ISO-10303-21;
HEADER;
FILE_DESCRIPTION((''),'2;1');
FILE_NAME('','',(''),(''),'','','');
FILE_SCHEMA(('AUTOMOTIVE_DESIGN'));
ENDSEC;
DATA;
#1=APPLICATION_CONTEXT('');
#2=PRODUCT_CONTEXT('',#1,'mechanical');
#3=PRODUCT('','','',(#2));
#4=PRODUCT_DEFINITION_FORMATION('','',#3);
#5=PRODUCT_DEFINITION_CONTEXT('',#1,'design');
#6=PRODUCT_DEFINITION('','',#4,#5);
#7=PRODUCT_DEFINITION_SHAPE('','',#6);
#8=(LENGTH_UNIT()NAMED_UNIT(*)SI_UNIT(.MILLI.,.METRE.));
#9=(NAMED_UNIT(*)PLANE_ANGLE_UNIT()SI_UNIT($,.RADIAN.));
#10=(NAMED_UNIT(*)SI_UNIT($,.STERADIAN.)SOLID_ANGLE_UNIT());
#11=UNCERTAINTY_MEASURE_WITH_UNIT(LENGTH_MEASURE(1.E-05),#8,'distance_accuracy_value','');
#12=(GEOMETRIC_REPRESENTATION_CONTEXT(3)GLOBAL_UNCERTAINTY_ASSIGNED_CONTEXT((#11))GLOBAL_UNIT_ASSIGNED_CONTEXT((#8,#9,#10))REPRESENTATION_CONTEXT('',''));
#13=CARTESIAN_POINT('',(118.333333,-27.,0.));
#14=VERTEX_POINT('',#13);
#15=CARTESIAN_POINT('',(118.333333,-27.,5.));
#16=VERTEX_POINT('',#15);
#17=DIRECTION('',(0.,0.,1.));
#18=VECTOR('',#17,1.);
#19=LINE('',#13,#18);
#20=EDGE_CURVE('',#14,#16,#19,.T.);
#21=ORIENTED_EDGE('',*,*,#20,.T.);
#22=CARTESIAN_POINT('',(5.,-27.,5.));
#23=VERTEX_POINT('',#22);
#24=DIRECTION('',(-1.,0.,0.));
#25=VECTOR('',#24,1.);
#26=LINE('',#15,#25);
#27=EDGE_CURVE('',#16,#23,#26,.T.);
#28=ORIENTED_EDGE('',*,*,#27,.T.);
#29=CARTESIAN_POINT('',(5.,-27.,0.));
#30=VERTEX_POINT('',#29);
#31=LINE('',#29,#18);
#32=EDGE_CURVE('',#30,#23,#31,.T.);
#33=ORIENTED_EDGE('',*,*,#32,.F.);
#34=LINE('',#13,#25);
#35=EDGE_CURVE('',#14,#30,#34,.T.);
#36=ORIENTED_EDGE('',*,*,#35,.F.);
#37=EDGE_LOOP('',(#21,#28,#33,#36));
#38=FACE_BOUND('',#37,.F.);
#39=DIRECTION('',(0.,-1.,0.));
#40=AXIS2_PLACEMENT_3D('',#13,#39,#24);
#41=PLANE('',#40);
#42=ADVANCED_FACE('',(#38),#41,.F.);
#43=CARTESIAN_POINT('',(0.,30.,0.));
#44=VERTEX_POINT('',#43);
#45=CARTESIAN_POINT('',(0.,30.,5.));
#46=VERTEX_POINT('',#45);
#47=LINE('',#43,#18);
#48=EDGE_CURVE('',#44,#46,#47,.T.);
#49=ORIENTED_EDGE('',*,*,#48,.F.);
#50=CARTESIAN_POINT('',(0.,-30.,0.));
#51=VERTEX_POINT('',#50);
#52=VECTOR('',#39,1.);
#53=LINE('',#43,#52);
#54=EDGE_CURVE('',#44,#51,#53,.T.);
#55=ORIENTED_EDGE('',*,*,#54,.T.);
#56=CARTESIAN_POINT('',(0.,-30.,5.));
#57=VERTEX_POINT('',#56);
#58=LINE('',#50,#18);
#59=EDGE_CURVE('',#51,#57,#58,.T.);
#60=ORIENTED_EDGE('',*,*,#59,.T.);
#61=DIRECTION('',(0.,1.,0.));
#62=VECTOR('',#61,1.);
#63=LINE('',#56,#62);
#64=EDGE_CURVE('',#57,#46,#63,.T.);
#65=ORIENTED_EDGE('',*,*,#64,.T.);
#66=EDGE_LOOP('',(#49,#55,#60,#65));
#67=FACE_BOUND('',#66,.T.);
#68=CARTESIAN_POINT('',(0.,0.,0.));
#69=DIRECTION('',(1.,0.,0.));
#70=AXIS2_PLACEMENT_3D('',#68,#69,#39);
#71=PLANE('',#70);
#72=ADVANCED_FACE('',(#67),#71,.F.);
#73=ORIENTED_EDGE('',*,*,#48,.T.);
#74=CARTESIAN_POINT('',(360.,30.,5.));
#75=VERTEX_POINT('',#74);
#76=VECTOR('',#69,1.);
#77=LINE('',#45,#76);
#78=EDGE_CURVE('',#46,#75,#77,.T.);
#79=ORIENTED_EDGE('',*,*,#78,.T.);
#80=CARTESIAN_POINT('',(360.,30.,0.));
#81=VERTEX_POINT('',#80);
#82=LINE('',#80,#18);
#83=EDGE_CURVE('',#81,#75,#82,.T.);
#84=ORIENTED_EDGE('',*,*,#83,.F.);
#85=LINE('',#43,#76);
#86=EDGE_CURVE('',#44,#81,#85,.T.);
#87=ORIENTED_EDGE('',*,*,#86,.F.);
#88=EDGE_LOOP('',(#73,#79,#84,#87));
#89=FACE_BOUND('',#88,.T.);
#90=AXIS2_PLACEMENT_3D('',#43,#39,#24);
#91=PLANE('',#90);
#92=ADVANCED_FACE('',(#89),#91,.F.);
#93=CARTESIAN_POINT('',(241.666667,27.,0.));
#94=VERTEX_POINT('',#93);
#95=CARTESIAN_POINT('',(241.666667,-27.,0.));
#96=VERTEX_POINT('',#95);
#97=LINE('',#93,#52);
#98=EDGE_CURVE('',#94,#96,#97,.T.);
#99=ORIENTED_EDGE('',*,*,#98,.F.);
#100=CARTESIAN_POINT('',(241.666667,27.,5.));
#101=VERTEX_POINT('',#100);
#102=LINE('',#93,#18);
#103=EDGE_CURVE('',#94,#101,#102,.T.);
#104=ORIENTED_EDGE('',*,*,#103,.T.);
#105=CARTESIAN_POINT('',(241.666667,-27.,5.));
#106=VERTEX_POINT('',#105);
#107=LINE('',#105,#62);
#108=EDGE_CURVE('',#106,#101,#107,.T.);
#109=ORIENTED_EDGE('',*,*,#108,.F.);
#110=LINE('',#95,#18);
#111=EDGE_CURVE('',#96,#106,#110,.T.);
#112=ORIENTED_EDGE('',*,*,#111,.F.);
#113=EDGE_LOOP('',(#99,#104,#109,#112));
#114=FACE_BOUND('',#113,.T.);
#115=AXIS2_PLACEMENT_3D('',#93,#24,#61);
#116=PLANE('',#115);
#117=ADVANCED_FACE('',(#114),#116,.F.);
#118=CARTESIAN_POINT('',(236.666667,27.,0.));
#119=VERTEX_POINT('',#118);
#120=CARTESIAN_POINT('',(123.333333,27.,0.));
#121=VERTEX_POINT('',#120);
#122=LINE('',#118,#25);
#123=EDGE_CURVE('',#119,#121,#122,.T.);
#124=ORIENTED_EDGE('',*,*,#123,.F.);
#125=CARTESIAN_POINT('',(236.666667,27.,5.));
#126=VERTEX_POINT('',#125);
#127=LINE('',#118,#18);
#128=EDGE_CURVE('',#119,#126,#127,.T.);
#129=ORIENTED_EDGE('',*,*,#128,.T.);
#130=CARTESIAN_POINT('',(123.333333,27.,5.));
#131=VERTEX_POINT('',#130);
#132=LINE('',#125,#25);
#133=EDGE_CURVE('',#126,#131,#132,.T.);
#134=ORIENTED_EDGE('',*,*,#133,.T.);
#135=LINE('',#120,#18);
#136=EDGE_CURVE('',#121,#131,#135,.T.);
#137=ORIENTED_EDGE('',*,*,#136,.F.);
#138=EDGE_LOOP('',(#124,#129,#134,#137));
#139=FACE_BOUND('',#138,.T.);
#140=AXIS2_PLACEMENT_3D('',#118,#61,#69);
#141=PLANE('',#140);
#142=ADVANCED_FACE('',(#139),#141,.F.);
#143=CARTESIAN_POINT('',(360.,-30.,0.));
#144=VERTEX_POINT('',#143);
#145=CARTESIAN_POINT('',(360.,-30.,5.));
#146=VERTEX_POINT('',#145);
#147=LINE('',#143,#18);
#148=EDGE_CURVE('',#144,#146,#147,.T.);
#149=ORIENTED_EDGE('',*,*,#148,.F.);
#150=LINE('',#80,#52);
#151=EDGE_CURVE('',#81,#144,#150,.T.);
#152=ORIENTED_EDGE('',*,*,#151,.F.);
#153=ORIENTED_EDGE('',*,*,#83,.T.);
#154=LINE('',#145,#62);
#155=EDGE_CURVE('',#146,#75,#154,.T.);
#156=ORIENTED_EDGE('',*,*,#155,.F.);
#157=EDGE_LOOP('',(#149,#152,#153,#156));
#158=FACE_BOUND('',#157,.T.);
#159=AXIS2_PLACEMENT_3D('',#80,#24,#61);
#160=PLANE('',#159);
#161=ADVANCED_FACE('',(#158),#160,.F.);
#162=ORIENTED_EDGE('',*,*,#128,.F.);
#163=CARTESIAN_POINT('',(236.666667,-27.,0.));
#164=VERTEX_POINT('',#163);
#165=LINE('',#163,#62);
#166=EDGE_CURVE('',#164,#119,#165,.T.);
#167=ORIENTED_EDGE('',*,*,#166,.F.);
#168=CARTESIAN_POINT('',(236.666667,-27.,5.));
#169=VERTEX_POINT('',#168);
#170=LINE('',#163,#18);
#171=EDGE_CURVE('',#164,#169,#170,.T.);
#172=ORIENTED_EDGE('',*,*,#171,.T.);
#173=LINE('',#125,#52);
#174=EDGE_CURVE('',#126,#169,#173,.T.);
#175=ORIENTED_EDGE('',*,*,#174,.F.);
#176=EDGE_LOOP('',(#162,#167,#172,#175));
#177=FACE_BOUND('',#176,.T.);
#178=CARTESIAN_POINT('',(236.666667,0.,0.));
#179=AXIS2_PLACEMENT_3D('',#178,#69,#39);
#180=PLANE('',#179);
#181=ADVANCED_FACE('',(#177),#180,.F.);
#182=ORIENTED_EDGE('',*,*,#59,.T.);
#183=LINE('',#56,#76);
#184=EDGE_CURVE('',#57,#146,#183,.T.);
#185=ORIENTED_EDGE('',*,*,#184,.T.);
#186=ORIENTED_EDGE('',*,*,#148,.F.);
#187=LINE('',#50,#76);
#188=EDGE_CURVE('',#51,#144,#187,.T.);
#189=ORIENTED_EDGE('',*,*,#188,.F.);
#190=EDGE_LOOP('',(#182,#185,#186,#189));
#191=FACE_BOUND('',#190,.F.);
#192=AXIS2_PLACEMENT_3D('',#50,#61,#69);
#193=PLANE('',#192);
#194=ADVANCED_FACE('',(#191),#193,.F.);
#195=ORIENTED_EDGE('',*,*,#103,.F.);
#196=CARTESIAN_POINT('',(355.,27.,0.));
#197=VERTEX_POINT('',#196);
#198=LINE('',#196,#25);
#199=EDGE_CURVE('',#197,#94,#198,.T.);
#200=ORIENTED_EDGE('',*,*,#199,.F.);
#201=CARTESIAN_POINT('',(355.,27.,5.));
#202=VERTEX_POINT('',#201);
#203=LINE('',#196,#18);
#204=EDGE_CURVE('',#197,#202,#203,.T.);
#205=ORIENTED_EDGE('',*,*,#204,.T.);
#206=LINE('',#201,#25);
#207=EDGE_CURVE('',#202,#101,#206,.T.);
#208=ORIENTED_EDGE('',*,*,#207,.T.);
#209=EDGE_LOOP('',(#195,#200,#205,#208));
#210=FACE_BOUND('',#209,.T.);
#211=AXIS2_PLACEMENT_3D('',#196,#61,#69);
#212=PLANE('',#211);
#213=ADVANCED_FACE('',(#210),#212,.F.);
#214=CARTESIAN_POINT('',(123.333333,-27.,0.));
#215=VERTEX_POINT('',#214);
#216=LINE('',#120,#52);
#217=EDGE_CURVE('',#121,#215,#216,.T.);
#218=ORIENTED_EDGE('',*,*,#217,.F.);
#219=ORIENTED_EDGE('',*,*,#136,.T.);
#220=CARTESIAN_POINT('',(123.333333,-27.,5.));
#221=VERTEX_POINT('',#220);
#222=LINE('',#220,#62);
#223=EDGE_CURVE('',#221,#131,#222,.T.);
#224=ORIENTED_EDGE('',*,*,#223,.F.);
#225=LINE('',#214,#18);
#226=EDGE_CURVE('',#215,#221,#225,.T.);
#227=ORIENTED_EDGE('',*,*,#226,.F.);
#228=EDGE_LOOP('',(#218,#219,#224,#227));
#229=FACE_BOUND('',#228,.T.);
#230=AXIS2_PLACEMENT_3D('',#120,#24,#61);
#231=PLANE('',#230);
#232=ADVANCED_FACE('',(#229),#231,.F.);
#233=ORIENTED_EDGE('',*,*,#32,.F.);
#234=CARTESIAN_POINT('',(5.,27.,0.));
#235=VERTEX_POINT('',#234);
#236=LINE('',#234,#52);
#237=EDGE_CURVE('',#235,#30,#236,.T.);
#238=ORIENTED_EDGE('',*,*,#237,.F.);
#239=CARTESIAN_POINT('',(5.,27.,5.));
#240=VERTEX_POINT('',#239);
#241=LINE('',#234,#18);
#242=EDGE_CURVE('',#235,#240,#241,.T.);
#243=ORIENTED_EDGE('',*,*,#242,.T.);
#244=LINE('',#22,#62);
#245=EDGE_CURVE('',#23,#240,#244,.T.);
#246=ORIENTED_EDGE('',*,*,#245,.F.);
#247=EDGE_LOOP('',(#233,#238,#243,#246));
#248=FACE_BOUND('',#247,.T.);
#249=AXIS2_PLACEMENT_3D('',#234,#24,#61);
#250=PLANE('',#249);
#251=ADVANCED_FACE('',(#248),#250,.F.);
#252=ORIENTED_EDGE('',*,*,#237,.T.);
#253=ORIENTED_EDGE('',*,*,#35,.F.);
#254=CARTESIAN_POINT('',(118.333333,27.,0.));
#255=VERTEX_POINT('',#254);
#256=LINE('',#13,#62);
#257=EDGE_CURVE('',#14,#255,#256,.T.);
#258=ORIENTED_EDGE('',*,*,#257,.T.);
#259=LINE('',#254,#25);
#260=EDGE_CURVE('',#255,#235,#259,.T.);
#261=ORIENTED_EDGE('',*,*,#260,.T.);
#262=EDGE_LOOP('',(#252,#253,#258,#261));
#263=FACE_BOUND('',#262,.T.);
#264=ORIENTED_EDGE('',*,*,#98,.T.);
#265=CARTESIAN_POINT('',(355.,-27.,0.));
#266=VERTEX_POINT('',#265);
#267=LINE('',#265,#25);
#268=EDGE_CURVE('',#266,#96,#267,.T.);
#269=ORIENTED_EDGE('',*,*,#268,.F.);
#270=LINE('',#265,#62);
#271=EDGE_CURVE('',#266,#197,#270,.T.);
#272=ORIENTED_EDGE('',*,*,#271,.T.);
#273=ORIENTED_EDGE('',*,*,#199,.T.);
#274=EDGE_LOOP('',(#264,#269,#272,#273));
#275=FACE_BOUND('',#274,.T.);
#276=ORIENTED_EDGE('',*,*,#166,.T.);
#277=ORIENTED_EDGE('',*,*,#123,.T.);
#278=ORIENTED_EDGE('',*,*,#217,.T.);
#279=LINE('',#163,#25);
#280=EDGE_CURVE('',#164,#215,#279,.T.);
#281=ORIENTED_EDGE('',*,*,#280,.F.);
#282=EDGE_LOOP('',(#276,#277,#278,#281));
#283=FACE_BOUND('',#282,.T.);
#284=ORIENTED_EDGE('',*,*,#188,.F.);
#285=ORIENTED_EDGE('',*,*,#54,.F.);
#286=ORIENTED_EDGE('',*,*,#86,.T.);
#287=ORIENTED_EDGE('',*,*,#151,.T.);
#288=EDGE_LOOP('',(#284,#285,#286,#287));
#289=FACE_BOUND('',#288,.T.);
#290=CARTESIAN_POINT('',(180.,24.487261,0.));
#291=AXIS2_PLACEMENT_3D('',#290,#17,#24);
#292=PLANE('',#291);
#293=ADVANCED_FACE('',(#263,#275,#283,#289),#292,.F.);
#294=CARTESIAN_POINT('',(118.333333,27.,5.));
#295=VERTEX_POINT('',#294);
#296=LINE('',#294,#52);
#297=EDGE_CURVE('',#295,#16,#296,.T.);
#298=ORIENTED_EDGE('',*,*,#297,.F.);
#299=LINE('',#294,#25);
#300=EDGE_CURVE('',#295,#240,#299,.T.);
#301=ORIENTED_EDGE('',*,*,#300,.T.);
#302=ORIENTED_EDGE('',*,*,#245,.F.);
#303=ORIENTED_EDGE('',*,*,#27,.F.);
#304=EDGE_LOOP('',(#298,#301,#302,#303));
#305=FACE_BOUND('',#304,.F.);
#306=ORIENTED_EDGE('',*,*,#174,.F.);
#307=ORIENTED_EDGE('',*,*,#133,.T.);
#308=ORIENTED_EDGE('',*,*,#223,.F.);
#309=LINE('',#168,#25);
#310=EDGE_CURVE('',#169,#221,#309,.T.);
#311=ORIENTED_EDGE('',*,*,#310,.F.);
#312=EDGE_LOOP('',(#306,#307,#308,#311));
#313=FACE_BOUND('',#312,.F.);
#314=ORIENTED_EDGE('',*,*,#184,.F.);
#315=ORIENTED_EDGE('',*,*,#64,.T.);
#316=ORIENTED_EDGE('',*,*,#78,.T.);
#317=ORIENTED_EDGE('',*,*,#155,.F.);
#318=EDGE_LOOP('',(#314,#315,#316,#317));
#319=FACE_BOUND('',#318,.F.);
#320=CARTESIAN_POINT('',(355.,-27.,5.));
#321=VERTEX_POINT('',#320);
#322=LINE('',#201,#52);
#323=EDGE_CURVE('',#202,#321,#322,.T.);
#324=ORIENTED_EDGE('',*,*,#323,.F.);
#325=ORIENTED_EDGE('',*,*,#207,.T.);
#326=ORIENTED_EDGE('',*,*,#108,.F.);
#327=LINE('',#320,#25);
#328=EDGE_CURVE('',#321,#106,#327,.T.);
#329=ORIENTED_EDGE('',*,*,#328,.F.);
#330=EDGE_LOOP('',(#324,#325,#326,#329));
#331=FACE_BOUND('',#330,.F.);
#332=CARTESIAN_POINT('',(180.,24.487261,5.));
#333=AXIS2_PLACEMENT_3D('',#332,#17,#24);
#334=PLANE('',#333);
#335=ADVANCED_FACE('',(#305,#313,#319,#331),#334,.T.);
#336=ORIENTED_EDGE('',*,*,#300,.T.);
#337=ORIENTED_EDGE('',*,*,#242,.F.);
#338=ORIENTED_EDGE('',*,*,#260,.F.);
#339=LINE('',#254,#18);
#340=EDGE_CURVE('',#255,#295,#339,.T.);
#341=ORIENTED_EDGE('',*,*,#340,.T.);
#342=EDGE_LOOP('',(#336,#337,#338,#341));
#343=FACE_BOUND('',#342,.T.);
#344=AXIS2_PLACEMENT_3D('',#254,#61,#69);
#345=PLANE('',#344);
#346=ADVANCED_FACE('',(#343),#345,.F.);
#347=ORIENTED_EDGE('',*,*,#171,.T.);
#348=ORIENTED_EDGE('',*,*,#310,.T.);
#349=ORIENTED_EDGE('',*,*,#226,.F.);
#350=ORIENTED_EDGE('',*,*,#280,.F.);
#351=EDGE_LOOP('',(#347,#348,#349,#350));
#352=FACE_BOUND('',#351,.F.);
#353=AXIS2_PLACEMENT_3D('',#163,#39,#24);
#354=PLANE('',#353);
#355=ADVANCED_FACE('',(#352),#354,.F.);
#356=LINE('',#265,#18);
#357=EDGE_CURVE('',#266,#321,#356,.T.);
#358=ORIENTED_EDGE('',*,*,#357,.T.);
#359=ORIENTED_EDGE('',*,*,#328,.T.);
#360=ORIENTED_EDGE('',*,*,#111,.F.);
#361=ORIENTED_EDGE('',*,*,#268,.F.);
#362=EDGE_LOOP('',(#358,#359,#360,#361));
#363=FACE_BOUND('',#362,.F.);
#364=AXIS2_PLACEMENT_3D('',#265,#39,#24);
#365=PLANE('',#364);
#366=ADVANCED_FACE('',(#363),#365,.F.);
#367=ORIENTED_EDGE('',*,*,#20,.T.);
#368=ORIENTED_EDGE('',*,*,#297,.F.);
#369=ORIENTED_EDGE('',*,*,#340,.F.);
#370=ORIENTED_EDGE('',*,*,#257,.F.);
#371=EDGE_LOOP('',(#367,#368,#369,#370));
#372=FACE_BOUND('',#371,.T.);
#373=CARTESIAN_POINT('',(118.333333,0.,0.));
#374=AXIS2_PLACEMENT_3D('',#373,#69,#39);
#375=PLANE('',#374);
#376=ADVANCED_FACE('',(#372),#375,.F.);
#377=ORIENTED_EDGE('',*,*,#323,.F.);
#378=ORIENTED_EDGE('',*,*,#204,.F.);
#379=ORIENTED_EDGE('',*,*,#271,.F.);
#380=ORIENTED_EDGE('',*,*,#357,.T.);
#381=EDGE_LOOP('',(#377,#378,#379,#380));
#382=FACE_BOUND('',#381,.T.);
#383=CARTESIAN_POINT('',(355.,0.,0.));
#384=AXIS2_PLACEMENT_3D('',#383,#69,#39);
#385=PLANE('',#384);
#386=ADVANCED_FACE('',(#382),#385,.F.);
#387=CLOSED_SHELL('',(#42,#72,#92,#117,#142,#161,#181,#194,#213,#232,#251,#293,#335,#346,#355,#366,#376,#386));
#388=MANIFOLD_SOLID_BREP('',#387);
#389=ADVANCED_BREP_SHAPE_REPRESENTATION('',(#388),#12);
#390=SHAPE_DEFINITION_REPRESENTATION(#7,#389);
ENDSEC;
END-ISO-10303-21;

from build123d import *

# Parameters (mm, degrees)
F1_DEPTH = 5


with BuildPart() as f1:
    # F0 (on Top) → F1 (new body)
    with BuildSketch(Plane.XY):
        Polygon((5, 0), (0, 0), (0, -30), (360, -30), (360, 0), (355, 0), (355, -27), (241.666667, -27), (241.666667, 0), (236.666667, 0), (236.666667, -27), (123.333333, -27), (123.333333, 0), (118.333333, 0), (118.333333, -27), (5, -27), align=None)
    extrude(amount=F1_DEPTH)

    # F2: F1 across face


with BuildPart() as f1_1:
    add(f1.part)
    add(f1.part.mirror(Plane(origin=(2.5, 0, 2.5), x_dir=(-1, 0, 0), z_dir=(0, 1, 0))))


solid = f1_1.part
